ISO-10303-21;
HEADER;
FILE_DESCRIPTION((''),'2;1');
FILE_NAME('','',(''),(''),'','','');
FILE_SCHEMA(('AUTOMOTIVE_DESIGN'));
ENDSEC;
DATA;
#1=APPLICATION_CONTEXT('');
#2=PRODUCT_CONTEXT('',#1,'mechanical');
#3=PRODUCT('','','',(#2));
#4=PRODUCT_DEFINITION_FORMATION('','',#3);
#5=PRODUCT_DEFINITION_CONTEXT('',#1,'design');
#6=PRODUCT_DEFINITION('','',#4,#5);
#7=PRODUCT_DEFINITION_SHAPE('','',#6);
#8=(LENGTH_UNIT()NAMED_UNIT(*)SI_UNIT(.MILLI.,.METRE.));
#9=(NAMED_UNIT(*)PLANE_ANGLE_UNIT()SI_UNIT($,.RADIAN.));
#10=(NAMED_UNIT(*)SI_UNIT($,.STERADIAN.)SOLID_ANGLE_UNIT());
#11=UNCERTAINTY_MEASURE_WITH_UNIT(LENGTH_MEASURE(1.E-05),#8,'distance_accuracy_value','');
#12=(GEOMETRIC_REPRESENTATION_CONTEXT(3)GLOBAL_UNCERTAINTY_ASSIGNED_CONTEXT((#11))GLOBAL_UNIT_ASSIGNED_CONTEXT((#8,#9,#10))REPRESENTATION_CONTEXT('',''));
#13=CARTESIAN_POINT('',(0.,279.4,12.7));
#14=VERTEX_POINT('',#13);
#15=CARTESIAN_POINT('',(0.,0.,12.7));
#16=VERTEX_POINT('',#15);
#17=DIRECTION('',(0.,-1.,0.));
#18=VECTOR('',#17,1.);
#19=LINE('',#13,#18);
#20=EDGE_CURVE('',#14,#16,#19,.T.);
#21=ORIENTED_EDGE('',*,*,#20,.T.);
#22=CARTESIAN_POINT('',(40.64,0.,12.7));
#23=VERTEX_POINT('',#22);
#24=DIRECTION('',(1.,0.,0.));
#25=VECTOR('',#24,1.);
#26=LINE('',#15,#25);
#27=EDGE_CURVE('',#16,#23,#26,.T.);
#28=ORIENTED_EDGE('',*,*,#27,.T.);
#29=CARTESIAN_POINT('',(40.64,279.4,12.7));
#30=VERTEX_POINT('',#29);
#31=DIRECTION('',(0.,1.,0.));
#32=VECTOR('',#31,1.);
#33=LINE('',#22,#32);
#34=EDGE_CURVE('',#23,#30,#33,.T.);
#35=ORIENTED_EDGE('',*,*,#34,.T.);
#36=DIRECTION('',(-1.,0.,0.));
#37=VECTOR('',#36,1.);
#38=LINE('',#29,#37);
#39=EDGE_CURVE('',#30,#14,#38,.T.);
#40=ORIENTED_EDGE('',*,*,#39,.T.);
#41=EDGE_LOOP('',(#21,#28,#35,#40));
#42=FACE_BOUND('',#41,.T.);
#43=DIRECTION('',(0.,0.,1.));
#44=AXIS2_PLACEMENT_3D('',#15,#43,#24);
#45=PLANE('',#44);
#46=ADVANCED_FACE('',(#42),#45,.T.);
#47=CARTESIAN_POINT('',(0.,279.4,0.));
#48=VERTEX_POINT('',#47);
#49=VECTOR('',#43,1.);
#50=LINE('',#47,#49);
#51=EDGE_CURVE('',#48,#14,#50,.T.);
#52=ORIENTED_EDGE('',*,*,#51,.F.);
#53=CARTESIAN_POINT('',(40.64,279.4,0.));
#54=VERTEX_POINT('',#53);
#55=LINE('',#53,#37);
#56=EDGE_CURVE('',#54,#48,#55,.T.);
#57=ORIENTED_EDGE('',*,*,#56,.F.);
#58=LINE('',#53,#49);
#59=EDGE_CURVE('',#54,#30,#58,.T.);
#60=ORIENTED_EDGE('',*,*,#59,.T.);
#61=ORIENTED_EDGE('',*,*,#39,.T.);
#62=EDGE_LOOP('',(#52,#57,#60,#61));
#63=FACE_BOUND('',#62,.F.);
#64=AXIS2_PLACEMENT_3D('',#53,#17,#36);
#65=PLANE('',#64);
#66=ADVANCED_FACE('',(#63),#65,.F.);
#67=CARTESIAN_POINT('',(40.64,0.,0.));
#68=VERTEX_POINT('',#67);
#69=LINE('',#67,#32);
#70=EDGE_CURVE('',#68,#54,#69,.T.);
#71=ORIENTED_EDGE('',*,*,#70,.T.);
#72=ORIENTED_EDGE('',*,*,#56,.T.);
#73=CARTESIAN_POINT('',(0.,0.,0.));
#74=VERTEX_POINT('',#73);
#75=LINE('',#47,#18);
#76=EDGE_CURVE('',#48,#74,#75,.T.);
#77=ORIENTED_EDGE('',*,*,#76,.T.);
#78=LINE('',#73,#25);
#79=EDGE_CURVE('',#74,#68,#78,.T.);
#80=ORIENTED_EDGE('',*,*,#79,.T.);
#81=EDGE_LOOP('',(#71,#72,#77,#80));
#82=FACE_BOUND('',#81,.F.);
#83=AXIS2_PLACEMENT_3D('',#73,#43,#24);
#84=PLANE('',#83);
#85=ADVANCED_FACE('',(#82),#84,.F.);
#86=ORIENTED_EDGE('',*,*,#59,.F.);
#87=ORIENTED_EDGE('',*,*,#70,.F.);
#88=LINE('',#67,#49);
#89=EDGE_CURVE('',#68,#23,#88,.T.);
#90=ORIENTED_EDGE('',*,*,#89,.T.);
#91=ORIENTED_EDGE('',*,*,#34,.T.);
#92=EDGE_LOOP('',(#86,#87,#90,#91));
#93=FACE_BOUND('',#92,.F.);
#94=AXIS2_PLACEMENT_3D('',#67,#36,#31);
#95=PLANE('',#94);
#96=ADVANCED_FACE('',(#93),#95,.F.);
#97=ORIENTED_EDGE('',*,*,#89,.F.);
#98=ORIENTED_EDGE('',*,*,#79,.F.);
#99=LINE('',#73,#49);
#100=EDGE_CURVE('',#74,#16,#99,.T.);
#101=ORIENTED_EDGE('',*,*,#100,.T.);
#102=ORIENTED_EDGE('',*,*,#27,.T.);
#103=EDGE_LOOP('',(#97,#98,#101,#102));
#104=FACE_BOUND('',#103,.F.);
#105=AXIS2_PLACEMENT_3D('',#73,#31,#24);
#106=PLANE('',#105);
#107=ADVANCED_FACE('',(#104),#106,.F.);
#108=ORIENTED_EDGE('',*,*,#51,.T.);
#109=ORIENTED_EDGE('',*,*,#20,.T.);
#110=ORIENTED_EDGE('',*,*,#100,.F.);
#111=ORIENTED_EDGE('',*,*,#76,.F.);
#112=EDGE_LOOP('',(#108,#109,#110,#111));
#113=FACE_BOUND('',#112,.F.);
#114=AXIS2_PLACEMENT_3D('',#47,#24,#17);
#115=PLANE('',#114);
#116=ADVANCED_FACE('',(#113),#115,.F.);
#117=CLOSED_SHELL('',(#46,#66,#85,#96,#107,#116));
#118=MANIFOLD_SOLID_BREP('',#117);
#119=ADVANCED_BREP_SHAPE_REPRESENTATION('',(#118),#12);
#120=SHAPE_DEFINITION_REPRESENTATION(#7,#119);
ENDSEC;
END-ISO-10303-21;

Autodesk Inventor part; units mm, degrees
ref_plane "YZ Plane" through (0, 0, 0) normal (1, 0, 0) x (0, 1, 0)
ref_plane "XZ Plane" through (0, 0, 0) normal (0, 1, 0) x (-1, 0, 0)
ref_plane "XY Plane" through (0, 0, 0) normal (0, 0, 1) x (1, 0, 0)
sketch "Sketch1" plane through (0, 0, 0) normal (0, 0, 1) x (1, 0, 0)
  line L0 (0, 0) -> (40.64, 0)
  line L1 (40.64, 0) -> (40.64, 279.4)
  line L2 (40.64, 279.4) -> (0, 279.4)
  line L3 (0, 279.4) -> (0, 0)
extrude "Extrusion1" add sketch "Sketch1" along normal blind 12.7
properties part number "Side Plate"
